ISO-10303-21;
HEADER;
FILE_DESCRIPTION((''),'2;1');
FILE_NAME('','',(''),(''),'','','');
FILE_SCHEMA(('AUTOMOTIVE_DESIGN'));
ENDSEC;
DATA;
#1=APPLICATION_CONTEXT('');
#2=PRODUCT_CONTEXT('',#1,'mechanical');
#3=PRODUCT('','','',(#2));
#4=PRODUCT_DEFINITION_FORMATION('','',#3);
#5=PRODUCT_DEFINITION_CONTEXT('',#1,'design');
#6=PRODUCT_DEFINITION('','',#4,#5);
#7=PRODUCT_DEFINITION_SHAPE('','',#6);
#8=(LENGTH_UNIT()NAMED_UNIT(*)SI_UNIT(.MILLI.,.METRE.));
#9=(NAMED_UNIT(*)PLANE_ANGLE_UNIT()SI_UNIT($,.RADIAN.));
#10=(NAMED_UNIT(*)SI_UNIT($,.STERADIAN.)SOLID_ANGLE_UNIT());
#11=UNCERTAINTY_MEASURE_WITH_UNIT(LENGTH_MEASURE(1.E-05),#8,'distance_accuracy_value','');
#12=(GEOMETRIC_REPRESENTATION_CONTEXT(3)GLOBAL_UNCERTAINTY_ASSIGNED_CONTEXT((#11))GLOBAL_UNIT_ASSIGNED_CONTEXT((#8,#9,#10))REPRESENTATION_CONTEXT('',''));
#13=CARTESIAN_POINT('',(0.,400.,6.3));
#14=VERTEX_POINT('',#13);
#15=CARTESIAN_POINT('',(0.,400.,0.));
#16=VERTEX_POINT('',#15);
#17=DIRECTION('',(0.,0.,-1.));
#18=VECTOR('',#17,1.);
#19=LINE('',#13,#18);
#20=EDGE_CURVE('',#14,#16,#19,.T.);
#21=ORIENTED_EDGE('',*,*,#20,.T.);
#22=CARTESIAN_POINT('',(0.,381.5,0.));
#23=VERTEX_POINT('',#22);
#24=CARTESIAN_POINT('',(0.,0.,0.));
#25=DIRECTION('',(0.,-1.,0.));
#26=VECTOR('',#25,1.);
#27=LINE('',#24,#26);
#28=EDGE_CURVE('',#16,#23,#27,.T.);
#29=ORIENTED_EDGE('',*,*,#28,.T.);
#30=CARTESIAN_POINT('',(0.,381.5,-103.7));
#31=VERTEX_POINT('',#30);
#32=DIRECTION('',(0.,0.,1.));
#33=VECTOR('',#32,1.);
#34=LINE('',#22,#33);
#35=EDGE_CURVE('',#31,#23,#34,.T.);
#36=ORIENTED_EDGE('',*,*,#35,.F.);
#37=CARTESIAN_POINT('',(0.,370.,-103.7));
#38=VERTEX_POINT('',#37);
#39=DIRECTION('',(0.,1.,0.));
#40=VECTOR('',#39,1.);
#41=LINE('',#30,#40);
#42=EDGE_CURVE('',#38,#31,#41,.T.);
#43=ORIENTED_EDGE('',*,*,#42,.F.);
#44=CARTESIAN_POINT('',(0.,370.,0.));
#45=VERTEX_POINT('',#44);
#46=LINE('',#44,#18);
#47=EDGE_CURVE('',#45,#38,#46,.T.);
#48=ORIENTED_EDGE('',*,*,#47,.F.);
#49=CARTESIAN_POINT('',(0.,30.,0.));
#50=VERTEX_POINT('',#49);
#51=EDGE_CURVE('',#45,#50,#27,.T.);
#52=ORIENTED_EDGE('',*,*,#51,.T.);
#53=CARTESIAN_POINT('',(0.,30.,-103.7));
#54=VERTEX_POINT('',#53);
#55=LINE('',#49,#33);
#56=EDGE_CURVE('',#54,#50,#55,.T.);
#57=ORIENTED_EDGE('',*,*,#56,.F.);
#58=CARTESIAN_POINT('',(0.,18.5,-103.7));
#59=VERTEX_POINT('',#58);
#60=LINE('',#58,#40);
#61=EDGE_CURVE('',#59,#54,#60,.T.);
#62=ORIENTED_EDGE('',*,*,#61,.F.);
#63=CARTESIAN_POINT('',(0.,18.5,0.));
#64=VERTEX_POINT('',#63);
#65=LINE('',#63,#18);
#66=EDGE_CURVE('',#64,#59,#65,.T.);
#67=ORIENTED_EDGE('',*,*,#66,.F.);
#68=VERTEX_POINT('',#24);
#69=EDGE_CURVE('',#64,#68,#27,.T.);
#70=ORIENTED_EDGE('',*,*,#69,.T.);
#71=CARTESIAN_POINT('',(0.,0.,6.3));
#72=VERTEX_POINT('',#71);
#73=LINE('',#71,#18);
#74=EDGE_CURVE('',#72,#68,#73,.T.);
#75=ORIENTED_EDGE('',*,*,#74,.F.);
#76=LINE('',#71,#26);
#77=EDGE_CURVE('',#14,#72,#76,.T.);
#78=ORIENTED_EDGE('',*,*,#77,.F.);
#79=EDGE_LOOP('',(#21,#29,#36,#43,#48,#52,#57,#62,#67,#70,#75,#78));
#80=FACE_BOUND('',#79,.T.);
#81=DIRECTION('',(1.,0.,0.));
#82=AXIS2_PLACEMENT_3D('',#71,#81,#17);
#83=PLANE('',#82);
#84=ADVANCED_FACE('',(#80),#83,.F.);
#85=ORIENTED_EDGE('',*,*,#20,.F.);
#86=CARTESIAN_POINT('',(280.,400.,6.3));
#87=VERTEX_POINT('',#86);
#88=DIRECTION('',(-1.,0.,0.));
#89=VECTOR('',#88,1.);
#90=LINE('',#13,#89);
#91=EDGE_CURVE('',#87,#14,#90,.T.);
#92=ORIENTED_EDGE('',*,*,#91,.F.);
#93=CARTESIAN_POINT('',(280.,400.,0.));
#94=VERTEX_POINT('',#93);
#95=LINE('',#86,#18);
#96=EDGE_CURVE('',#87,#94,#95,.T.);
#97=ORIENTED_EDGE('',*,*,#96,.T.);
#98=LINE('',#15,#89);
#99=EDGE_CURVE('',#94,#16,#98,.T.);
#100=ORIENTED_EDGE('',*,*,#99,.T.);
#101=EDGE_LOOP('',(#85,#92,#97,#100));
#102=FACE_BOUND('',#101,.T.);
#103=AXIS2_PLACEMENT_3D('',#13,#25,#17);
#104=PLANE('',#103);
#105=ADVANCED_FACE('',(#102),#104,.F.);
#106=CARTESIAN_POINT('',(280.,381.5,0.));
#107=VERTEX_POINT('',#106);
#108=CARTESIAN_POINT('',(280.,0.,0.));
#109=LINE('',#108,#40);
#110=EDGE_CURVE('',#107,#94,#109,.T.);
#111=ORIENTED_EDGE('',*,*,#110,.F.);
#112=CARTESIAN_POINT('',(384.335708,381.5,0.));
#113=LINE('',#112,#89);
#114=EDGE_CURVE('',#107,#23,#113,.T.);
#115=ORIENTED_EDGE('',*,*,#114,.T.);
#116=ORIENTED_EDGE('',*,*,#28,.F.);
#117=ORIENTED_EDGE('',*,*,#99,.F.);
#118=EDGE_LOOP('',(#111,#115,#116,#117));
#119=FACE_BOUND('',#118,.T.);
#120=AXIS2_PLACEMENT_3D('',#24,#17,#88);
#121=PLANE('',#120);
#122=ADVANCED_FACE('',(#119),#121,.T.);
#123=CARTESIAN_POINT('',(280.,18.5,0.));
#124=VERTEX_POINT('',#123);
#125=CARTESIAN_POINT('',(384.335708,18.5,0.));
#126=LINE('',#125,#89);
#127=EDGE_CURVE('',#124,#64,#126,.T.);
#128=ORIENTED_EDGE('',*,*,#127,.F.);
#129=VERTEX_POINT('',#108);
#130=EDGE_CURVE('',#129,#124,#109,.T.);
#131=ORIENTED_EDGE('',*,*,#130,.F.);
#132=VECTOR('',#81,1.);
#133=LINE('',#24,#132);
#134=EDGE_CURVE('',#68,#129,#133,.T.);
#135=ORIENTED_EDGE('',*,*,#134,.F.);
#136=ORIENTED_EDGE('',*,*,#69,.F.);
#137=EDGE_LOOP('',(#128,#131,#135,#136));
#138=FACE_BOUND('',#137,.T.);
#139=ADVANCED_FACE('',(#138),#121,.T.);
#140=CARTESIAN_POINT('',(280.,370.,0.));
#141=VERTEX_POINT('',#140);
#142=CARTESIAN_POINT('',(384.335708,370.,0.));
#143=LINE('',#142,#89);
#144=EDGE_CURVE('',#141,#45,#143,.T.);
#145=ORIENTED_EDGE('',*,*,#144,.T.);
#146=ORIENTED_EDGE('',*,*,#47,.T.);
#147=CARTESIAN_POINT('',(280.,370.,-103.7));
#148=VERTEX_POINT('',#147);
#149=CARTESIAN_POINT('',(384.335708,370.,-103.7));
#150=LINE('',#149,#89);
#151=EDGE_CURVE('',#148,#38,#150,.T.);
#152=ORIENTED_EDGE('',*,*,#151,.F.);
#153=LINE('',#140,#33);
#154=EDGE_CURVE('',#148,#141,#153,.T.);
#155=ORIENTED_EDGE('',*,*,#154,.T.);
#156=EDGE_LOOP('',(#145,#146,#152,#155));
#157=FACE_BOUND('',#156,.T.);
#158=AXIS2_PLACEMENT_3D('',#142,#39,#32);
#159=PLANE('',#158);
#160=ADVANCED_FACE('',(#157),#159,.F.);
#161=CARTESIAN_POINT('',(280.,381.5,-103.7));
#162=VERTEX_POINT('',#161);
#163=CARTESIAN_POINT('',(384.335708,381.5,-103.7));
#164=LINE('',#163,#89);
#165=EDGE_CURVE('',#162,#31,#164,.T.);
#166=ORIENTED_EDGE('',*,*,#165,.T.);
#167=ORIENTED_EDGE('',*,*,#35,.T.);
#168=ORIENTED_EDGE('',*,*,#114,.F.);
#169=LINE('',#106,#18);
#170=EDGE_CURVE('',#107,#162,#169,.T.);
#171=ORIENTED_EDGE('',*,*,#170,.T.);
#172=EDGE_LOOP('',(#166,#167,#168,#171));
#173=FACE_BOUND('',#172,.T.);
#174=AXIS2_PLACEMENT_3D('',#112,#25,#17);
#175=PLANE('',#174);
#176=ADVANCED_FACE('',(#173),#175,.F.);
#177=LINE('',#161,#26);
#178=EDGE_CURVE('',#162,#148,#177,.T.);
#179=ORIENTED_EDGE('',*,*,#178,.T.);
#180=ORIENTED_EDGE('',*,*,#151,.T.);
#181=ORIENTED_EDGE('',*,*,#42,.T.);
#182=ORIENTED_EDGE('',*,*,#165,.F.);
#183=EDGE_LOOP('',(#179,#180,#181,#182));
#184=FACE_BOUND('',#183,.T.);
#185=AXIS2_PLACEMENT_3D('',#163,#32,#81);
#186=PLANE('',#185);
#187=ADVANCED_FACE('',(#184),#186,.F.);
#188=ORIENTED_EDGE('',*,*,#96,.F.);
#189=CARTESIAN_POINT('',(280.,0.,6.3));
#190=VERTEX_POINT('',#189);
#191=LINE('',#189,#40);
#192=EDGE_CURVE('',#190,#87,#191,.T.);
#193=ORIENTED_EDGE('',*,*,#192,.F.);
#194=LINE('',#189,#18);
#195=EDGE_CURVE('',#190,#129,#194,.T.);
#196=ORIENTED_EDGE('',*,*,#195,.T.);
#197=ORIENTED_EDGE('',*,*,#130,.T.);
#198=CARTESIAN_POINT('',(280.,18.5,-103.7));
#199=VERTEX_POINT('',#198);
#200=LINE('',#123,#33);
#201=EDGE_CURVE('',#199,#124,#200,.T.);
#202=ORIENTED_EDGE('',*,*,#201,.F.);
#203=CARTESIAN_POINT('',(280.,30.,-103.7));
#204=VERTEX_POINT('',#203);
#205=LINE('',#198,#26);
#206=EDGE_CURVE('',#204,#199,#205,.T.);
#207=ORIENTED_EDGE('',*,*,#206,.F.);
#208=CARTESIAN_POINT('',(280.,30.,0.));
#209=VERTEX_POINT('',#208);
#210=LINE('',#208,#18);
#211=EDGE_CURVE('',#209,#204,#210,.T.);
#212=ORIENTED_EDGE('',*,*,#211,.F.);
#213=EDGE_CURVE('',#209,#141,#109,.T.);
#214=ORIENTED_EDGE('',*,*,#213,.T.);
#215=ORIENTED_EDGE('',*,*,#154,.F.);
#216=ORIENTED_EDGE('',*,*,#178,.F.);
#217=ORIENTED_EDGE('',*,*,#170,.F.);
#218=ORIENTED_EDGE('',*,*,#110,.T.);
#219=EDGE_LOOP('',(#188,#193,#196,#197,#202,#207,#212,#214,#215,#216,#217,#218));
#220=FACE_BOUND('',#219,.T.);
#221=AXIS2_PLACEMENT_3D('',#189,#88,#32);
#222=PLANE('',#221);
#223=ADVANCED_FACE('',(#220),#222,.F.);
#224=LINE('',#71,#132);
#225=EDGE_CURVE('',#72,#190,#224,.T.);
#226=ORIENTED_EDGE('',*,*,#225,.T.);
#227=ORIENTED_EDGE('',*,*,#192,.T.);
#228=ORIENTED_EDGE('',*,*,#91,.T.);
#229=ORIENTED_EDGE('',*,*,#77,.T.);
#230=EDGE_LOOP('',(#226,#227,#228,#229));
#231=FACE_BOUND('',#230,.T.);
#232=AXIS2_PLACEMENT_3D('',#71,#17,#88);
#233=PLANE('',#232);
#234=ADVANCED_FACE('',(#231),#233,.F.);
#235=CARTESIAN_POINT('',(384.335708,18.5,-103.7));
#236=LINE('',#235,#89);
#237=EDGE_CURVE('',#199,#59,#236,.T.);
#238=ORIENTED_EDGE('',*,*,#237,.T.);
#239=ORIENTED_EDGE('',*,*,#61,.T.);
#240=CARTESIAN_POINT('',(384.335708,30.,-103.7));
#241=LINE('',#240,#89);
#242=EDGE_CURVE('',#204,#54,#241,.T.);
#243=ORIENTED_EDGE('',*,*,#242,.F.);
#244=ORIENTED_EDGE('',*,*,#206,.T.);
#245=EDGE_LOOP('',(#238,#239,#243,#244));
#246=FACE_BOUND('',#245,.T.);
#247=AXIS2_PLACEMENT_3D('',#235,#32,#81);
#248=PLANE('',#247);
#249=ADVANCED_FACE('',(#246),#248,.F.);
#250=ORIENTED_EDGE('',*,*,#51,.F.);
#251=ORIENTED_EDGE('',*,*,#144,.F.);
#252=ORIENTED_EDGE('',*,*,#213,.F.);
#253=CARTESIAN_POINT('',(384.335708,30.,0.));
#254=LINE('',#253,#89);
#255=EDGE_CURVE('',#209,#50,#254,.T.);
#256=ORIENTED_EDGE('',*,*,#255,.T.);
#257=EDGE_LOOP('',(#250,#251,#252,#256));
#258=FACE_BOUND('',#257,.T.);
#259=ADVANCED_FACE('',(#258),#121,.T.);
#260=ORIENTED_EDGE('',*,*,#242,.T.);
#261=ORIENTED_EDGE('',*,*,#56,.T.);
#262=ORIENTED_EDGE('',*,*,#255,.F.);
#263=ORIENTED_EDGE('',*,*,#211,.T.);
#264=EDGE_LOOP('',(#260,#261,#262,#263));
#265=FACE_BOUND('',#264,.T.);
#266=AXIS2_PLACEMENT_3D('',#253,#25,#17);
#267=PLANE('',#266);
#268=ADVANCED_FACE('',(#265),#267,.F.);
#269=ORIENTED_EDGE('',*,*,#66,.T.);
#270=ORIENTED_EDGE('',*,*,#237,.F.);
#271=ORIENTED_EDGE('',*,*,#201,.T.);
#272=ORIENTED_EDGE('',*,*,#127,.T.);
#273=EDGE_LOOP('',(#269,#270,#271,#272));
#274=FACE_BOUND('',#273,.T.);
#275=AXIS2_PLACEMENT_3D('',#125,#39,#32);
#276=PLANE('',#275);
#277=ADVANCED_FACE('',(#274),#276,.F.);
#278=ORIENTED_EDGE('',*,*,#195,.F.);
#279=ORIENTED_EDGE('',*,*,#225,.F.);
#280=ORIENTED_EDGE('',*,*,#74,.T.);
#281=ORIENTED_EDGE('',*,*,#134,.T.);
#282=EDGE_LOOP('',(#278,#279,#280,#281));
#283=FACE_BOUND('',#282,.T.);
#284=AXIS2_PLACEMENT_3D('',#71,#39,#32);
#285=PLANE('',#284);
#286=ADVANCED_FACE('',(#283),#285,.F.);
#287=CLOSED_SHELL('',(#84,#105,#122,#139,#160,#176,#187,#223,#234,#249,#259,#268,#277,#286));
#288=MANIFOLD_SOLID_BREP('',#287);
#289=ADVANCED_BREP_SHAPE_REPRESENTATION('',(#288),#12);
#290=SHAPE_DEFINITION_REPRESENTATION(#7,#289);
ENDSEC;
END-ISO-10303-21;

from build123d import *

# Parameters (mm, degrees)
SKETCH1_W           = 280
SKETCH1_H           = 400
BOSS_EXTRUDE1_DEPTH = 6.3
SKETCH4_W           = 103.7
SKETCH4_H           = 11.5
BOSS_EXTRUDE2_DEPTH = 280


with BuildPart() as part:
    # Sketch1 → Boss-Extrude1 (new body)
    with BuildSketch(Plane.XY):
        with Locations((140, 200)):
            Rectangle(SKETCH1_W, SKETCH1_H)
    extrude(amount=BOSS_EXTRUDE1_DEPTH)

    # Sketch4 → Boss-Extrude2 (add)
    with BuildSketch(Plane(origin=(0, 0, 0), x_dir=(0, 0, -1), z_dir=(1, 0, 0))):
        with Locations((51.85, 24.25)):
            Rectangle(SKETCH4_W, SKETCH4_H)
        with Locations((51.85, 375.75)):
            Rectangle(SKETCH4_W, SKETCH4_H)
    extrude(amount=BOSS_EXTRUDE2_DEPTH)


solid = part.part
